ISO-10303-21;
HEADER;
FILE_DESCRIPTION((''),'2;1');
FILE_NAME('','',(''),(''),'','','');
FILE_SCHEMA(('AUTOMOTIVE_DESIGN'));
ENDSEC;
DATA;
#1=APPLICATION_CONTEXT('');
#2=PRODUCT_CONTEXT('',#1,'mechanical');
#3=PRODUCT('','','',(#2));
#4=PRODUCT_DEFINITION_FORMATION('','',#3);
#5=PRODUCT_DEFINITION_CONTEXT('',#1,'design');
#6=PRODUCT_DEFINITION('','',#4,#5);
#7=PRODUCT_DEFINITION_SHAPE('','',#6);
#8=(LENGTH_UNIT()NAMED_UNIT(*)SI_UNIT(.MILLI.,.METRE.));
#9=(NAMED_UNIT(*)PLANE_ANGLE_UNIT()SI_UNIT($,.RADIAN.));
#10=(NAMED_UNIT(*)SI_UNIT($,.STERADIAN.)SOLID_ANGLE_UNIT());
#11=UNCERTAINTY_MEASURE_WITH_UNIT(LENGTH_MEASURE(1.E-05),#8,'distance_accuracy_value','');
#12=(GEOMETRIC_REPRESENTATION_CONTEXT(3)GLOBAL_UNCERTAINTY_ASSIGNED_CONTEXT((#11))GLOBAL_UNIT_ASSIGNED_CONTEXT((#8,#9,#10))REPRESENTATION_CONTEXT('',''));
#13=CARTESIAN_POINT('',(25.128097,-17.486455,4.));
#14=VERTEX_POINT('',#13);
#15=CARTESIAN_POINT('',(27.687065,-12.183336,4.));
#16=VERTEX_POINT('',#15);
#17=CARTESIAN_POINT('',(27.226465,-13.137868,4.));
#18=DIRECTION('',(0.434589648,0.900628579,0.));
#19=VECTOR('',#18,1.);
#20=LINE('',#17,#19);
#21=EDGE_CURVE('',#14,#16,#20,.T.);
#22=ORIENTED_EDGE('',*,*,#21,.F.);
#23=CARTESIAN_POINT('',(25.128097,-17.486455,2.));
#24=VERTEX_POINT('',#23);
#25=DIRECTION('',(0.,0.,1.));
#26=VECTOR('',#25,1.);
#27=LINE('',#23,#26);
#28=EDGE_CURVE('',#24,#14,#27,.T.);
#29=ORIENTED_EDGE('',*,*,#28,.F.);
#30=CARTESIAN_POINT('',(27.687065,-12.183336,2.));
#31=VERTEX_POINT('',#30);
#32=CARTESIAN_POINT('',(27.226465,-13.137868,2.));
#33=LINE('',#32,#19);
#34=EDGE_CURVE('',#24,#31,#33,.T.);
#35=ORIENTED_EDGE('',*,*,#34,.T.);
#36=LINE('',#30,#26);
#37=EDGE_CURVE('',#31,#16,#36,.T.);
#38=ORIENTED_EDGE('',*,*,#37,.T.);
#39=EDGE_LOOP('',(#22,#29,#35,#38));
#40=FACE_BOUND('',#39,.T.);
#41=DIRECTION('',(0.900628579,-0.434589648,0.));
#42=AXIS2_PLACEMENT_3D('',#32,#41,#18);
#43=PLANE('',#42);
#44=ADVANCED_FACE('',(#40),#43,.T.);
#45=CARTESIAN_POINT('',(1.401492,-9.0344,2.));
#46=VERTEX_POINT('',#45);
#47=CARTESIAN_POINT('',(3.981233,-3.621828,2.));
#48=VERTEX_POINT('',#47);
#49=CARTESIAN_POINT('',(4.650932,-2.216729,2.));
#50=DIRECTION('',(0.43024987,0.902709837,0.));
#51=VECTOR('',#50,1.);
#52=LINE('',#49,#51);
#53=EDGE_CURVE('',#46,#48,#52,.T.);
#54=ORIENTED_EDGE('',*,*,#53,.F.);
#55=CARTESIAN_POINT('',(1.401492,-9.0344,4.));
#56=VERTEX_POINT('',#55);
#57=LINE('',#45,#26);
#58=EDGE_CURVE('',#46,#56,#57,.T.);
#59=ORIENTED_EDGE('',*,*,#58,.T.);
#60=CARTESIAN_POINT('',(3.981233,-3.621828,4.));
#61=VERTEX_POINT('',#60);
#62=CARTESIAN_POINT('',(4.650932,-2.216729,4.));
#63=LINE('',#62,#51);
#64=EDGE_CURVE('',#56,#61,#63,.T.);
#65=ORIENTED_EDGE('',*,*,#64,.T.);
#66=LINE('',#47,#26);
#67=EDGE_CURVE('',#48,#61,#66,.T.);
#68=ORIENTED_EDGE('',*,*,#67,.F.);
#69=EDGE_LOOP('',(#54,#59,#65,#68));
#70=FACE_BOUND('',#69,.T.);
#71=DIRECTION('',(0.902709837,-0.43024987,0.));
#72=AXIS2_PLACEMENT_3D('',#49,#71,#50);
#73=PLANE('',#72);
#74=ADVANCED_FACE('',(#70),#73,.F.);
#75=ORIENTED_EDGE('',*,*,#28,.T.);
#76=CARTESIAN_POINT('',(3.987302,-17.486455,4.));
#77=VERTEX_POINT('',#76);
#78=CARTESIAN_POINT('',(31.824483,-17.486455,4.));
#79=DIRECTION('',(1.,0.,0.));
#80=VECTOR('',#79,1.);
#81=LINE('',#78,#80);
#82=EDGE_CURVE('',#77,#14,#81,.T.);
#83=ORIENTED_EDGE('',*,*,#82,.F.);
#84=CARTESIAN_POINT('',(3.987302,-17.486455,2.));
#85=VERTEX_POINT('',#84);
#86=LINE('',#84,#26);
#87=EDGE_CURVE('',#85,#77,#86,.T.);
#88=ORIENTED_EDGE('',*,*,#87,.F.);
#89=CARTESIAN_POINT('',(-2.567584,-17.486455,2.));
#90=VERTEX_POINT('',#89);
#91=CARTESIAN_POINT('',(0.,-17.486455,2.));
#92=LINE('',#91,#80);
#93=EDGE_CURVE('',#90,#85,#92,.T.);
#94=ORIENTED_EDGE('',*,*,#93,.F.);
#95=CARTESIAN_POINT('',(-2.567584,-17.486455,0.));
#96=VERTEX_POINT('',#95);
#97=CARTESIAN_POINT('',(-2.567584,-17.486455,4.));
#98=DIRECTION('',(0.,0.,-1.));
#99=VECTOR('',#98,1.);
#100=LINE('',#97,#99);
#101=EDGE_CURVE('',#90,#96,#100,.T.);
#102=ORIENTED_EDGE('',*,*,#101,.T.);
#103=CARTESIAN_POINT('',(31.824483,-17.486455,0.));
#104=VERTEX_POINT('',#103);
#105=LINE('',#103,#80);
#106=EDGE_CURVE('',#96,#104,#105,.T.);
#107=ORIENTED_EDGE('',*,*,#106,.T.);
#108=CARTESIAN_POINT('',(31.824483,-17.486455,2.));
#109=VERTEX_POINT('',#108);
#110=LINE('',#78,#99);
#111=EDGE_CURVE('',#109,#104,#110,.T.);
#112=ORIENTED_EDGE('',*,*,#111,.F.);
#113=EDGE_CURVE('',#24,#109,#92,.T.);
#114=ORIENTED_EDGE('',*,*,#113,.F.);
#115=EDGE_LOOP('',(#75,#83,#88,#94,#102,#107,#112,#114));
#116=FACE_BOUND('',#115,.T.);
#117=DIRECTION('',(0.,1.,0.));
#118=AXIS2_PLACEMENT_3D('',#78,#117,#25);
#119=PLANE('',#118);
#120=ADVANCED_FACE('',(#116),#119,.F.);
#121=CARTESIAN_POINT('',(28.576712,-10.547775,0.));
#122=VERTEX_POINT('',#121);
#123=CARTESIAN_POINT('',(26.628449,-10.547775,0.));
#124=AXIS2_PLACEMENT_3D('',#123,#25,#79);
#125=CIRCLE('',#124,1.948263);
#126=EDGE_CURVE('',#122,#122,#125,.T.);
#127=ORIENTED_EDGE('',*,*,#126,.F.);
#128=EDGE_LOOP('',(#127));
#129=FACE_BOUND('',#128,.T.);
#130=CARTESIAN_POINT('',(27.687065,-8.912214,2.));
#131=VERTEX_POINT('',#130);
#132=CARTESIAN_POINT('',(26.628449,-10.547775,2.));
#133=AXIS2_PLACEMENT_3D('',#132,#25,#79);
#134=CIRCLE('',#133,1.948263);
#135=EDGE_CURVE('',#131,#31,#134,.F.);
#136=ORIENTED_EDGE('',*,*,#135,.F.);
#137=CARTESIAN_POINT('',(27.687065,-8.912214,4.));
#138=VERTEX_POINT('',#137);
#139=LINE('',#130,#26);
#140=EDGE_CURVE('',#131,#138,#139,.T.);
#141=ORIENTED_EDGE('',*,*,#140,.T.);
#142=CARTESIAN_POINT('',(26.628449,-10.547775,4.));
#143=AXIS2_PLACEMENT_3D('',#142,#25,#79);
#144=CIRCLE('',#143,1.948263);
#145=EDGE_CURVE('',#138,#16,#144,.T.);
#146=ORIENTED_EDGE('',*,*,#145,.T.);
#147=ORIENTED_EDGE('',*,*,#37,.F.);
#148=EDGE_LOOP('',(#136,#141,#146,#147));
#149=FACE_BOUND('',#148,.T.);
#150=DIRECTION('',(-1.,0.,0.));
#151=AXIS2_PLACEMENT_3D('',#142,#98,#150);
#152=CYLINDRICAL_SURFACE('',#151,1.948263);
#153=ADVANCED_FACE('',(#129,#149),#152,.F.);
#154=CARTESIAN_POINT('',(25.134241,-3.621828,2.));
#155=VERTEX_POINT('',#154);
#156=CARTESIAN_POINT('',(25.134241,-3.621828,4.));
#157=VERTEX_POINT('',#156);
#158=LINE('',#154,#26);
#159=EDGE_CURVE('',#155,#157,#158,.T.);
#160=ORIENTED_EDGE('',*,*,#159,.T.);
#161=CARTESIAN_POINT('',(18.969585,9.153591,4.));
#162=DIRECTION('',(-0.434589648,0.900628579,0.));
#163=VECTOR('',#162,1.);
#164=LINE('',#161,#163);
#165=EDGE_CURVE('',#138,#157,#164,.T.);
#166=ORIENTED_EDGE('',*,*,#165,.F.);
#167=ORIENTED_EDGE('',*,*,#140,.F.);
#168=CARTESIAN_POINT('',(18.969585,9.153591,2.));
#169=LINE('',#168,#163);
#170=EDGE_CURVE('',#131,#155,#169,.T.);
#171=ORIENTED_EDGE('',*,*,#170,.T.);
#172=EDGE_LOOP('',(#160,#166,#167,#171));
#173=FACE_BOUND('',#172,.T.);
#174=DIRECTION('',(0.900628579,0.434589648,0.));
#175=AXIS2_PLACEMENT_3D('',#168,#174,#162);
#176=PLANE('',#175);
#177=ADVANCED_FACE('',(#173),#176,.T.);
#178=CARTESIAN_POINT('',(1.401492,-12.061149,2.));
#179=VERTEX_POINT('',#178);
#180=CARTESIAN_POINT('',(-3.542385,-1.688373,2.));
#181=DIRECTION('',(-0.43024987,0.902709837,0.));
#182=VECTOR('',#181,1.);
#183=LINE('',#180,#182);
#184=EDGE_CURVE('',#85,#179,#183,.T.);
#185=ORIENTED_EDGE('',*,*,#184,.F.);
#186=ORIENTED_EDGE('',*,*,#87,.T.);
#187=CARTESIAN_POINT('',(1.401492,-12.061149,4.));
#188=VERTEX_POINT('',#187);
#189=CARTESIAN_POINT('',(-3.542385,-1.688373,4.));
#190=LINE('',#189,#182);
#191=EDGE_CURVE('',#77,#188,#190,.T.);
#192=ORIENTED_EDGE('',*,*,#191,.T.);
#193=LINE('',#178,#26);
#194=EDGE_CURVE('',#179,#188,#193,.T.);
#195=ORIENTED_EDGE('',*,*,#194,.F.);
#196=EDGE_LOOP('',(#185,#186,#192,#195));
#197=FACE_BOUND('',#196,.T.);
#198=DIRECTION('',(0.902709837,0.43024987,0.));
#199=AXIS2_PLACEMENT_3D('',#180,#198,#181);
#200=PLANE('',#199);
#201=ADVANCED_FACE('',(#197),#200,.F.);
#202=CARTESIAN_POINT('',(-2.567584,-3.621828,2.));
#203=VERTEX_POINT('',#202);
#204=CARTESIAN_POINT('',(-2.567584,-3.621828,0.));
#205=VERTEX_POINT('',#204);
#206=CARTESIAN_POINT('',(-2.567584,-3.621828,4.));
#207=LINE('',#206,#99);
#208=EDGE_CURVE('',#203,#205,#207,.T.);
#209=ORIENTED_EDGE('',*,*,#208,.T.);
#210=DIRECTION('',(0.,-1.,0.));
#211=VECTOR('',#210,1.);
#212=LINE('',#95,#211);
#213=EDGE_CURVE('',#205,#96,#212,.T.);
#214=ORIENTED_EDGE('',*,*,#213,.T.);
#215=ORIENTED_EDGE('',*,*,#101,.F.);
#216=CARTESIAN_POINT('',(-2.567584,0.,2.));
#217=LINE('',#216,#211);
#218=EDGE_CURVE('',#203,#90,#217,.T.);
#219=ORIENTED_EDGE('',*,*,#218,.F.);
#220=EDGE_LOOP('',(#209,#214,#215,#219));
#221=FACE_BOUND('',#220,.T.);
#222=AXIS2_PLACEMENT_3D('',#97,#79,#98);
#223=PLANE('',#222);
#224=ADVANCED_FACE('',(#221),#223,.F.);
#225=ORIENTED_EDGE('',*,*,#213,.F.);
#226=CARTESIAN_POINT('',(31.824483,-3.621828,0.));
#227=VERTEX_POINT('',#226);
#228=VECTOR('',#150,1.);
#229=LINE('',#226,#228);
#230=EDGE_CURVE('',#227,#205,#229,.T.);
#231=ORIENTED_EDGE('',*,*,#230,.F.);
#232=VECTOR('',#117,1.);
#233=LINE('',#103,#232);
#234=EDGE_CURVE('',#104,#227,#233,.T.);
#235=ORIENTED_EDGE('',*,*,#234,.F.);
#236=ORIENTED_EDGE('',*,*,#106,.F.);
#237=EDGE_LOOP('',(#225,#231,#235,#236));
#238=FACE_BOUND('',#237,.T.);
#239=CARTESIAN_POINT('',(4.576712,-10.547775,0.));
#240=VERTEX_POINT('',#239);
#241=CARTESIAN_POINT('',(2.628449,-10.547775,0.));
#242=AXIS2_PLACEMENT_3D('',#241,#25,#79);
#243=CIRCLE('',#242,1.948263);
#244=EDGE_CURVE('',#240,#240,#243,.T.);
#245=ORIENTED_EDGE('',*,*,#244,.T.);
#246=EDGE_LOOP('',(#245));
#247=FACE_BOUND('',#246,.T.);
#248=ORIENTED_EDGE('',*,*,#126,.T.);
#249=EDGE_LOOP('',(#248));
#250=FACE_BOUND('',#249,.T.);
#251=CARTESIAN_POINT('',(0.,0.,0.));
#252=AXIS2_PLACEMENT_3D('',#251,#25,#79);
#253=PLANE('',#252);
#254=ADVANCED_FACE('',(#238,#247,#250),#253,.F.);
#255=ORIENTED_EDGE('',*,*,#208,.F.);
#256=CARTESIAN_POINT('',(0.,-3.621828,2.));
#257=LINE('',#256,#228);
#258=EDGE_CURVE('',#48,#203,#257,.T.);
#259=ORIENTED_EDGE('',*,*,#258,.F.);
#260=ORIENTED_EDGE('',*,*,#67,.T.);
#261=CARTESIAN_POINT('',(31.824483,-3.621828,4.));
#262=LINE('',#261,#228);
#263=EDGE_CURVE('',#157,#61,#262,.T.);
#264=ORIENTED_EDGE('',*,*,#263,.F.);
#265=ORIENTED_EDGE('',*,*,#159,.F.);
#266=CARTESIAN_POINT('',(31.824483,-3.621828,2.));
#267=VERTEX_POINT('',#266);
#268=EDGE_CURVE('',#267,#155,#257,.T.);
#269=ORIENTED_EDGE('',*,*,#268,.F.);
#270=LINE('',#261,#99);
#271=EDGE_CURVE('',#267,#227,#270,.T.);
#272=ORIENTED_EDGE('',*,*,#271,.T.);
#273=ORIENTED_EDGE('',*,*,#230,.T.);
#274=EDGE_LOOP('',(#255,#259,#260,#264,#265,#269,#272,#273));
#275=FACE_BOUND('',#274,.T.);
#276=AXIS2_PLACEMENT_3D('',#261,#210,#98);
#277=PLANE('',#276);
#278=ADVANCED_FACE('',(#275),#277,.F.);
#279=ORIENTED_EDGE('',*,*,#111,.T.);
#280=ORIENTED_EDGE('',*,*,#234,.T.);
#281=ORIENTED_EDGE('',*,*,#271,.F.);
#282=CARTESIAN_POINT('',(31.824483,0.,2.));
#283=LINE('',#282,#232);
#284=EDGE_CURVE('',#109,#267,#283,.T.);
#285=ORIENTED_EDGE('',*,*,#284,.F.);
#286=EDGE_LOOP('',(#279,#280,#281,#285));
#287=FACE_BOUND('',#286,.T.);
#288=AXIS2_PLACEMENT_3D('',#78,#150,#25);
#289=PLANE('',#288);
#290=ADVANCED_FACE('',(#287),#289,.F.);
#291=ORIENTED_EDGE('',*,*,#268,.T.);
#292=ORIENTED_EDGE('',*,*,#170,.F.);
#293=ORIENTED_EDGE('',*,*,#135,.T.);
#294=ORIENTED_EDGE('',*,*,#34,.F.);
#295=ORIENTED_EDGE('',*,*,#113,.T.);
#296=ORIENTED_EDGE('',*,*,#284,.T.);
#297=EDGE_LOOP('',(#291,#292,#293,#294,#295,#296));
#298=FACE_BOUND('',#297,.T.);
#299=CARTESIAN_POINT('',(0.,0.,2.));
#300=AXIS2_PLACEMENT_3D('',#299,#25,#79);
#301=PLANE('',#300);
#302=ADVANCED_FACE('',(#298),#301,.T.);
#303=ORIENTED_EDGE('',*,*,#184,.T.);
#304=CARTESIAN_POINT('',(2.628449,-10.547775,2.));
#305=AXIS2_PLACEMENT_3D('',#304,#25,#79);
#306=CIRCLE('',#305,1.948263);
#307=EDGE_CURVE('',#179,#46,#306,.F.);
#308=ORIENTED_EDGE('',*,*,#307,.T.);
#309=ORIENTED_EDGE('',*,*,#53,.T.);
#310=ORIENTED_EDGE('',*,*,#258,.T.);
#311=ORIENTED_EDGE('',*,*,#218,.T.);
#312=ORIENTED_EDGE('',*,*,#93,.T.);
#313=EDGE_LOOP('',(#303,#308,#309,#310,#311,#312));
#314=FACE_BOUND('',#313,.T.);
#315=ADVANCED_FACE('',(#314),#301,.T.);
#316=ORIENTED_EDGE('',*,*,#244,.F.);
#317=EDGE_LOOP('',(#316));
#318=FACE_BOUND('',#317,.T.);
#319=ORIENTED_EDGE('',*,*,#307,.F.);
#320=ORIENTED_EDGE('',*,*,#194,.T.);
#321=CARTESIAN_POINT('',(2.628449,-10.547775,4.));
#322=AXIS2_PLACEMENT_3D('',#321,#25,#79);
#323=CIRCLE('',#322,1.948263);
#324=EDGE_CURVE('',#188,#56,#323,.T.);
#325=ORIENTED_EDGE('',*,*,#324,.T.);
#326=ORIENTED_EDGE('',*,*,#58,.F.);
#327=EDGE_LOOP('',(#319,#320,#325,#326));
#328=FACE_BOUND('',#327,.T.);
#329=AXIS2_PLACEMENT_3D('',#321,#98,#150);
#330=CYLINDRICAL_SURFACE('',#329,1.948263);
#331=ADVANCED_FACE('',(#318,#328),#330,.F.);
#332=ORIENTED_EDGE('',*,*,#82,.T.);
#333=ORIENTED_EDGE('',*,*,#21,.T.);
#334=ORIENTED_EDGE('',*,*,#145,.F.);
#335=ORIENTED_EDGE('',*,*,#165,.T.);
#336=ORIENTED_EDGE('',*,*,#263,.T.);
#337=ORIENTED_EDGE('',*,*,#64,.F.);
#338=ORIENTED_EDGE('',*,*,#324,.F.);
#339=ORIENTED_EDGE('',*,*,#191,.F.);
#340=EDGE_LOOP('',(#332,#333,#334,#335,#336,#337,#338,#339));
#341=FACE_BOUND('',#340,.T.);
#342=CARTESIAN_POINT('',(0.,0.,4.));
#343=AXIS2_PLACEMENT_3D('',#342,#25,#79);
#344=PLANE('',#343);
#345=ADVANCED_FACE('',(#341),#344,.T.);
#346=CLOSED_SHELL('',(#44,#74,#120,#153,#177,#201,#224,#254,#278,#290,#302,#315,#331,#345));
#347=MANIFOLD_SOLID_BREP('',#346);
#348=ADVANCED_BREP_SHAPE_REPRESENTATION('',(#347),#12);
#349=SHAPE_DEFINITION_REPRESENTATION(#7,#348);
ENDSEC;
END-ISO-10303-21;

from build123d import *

# Parameters (mm, degrees)
SKETCH3_W           = 34.39206684
SKETCH3_H           = 13.864626052
SKETCH3_R           = 1.948262706
BOSS_EXTRUDE1_DEPTH = 4
CUT_EXTRUDE2_DEPTH  = 2


with BuildPart() as part:
    # Sketch3 → Boss-Extrude1 (new body)
    with BuildSketch(Plane(origin=(0, 0, 0), x_dir=(-1, 0, 0), z_dir=(0, 0, 1))):
        with Locations((-14.628449162, 10.554141489)):
            Rectangle(SKETCH3_W, SKETCH3_H)
        with Locations(Location((-26.628449162, 10.547774914, 0), (0, 0, 180))):
            Circle(SKETCH3_R, mode=Mode.SUBTRACT)
        with Locations(Location((-2.628449162, 10.547774914, 0), (0, 0, 180))):
            Circle(SKETCH3_R, mode=Mode.SUBTRACT)
    extrude(amount=BOSS_EXTRUDE1_DEPTH)

    # Sketch4 → Cut-Extrude2 (cut)
    with BuildSketch(Plane.XY.offset(4)):
        Polygon((3.987302292, -3.609095314), (-2.567584258, -3.609095314), (-2.567584258, -17.486454515), (3.987302292, -17.486454515), (0.680186456, -10.547774914), align=None)
        Polygon((25.128096542, -3.609095314), (31.824482582, -3.609095314), (31.824482582, -17.486454515), (25.128096542, -17.486454515), (28.476289562, -10.547774914), align=None)
    extrude(amount=-CUT_EXTRUDE2_DEPTH, mode=Mode.SUBTRACT)


solid = part.part
